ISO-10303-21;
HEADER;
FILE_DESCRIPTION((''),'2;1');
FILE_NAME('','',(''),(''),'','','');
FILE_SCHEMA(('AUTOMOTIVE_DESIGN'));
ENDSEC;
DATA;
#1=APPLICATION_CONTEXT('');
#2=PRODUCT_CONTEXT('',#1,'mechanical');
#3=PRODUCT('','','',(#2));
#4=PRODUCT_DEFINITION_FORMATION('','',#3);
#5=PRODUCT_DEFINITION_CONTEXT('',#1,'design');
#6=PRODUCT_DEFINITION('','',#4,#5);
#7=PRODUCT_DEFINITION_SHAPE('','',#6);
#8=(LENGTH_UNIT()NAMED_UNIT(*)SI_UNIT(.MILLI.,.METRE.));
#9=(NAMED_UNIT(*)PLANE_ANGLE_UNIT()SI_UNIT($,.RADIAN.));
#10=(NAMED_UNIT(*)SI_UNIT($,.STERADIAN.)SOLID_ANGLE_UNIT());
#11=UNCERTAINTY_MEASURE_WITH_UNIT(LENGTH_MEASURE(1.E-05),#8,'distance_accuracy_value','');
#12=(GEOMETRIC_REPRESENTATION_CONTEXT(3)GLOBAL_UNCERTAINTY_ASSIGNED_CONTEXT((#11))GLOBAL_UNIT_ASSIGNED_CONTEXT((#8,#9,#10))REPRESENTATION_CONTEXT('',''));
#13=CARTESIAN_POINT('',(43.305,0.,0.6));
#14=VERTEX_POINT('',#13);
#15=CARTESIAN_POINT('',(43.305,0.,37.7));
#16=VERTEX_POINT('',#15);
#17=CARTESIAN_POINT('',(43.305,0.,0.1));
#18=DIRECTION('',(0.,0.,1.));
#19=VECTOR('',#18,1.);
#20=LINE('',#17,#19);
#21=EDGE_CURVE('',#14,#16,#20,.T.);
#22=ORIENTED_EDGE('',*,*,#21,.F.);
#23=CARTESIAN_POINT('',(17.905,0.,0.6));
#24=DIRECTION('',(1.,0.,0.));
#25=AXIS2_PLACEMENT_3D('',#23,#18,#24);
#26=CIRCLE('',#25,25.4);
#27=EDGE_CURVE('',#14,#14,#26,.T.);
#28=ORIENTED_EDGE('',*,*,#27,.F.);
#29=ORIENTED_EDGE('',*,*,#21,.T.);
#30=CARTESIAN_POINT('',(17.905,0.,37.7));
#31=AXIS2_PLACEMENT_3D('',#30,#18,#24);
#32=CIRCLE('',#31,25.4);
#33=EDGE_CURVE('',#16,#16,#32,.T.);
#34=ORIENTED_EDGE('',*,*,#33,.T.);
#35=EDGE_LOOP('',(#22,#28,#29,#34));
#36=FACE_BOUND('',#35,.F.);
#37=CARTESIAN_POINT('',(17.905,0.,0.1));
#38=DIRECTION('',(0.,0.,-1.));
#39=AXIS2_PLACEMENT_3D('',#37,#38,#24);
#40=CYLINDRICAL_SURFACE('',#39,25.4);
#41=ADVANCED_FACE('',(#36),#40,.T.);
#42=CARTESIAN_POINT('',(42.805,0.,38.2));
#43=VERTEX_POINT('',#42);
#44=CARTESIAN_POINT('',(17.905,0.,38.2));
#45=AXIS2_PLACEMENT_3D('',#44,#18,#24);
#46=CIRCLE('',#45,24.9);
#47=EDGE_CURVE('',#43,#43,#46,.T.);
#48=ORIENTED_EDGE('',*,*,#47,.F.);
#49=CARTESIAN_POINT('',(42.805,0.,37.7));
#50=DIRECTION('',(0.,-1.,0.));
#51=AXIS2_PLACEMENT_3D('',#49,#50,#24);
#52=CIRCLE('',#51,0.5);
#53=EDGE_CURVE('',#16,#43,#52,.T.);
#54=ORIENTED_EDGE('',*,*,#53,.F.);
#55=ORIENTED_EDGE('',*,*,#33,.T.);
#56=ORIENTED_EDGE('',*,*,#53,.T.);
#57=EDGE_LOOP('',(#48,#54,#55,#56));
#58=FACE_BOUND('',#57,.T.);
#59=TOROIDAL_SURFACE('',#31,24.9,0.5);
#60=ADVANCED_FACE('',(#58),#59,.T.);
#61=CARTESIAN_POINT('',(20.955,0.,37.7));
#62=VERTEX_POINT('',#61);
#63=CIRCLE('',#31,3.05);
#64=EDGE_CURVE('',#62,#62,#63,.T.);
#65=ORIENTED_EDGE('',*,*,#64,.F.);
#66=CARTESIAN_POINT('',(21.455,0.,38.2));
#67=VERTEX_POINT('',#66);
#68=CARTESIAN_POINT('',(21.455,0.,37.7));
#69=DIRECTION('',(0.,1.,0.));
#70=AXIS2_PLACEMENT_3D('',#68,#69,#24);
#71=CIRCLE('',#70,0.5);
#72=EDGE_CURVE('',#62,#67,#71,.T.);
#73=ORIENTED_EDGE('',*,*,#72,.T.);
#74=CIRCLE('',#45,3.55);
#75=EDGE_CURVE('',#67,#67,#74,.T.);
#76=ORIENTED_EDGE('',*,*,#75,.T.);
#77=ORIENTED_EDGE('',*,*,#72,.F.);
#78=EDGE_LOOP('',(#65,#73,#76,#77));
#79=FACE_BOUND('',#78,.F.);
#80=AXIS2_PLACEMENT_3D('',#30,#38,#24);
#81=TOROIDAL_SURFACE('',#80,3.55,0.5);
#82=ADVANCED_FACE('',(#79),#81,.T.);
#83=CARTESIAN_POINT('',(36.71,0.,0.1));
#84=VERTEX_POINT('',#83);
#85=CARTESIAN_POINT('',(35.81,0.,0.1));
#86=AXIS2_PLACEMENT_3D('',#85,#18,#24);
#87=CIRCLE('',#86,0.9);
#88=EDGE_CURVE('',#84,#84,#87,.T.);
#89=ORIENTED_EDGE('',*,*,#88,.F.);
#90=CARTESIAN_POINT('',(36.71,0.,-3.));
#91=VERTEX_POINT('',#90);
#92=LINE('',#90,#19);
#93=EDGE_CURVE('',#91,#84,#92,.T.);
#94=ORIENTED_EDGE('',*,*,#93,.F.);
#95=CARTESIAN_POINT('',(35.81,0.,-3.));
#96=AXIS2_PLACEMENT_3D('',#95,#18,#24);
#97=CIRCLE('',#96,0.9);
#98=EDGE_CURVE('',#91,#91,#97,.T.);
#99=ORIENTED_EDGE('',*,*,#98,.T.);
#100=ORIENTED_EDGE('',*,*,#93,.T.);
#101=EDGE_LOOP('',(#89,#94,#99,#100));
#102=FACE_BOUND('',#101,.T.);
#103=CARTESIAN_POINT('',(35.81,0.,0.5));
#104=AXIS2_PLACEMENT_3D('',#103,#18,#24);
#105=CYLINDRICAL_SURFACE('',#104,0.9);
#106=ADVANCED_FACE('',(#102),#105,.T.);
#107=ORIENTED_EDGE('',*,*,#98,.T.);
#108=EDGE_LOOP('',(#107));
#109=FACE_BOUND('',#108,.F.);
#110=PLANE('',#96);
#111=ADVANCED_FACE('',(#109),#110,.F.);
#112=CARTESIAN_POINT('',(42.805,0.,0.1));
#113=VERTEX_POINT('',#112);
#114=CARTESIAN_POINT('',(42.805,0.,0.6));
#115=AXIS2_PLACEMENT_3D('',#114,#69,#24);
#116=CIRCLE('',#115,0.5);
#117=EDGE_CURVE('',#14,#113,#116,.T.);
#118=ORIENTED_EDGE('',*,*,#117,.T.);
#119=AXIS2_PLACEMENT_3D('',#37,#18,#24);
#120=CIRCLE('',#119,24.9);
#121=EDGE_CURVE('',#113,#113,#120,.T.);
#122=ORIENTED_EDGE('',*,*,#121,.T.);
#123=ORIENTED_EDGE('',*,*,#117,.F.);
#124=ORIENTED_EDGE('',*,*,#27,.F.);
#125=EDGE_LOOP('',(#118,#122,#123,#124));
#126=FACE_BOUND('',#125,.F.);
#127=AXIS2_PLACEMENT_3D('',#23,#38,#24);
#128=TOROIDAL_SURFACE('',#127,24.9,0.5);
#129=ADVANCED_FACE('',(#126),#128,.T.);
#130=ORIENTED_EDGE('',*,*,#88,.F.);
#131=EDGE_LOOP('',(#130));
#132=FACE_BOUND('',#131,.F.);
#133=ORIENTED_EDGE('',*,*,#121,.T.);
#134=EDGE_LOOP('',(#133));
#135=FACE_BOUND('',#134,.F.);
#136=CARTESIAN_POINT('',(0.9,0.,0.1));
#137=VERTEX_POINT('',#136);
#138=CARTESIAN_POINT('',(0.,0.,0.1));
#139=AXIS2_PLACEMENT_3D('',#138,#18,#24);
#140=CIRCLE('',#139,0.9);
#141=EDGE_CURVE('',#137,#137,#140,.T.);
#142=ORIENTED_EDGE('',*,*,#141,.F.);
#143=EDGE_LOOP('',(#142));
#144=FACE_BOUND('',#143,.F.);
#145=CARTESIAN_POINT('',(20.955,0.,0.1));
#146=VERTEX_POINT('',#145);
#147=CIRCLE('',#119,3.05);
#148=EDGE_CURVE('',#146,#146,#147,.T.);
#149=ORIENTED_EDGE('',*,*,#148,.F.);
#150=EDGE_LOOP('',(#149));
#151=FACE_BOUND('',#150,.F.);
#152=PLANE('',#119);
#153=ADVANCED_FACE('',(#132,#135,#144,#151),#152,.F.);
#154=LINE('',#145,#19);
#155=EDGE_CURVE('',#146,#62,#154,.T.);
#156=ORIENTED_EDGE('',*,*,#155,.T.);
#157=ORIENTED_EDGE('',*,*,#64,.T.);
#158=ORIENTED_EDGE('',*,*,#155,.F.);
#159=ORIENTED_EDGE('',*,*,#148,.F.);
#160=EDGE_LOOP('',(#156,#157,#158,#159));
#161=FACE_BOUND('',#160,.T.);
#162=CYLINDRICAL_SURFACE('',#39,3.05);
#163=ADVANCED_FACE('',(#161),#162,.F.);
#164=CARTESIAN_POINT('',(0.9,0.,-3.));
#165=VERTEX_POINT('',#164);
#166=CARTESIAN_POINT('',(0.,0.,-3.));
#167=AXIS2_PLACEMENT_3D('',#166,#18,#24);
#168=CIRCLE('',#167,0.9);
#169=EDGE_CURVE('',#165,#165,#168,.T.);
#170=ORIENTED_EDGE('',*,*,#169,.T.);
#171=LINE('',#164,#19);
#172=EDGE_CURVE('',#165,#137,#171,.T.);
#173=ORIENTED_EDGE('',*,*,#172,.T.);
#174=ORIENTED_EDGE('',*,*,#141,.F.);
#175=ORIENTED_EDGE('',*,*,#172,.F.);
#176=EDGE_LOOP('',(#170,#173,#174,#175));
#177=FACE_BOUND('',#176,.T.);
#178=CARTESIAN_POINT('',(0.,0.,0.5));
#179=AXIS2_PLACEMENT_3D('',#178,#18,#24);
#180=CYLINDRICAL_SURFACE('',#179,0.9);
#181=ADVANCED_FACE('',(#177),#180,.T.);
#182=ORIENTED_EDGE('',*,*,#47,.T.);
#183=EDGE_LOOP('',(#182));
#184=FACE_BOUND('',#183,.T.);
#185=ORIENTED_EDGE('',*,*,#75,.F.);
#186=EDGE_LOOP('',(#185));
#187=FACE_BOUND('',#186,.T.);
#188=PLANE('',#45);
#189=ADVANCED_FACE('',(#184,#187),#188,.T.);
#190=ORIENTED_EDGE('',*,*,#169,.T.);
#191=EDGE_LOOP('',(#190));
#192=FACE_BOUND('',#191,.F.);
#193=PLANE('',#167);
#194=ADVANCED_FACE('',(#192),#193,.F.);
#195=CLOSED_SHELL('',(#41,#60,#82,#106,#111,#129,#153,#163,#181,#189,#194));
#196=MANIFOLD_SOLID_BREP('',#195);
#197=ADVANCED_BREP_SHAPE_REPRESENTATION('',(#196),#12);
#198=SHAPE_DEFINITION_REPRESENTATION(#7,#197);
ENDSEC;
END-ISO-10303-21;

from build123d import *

# Parameters (mm, degrees)
SKETCH_R          = 25.4
SKETCH_R_2        = 3.05
PAD_DEPTH         = 38.1
FILLET_R          = 0.5
SKETCH001_R       = 0.9
PAD001_DEPTH      = 19.05
PAD001_DEPTH_BACK = 3.5


with BuildPart() as fillet_body:
    # Sketch → Pad (new body)
    with BuildSketch(Plane.XY.offset(0.1)):
        with Locations((17.905, 0)):
            Circle(SKETCH_R)
        with Locations((17.905, 0)):
            Circle(SKETCH_R_2, mode=Mode.SUBTRACT)
    extrude(amount=PAD_DEPTH)

    # Fillet
    fillet_edges = [fillet_body.edges().sort_by_distance(p)[0] for p in [
        (14.855, 0, 38.2),
        (-7.495, 0, 38.2),
        (-7.495, 0, 0.1),
    ]]
    fillet(fillet_edges, radius=FILLET_R)


with BuildPart() as pad001_mp_cp:
    # Sketch001 → Pad001 (new body, two sides)
    with BuildSketch(Plane.XY.offset(0.5)) as pad001_sk:
        Circle(SKETCH001_R)
        with Locations((35.81, 0)):
            Circle(SKETCH001_R)
    extrude(amount=PAD001_DEPTH)
    extrude(pad001_sk.sketch, amount=-PAD001_DEPTH_BACK)

    # Pad001_mp_cp: union Fillet body
    add(fillet_body.part)


solid = pad001_mp_cp.part
